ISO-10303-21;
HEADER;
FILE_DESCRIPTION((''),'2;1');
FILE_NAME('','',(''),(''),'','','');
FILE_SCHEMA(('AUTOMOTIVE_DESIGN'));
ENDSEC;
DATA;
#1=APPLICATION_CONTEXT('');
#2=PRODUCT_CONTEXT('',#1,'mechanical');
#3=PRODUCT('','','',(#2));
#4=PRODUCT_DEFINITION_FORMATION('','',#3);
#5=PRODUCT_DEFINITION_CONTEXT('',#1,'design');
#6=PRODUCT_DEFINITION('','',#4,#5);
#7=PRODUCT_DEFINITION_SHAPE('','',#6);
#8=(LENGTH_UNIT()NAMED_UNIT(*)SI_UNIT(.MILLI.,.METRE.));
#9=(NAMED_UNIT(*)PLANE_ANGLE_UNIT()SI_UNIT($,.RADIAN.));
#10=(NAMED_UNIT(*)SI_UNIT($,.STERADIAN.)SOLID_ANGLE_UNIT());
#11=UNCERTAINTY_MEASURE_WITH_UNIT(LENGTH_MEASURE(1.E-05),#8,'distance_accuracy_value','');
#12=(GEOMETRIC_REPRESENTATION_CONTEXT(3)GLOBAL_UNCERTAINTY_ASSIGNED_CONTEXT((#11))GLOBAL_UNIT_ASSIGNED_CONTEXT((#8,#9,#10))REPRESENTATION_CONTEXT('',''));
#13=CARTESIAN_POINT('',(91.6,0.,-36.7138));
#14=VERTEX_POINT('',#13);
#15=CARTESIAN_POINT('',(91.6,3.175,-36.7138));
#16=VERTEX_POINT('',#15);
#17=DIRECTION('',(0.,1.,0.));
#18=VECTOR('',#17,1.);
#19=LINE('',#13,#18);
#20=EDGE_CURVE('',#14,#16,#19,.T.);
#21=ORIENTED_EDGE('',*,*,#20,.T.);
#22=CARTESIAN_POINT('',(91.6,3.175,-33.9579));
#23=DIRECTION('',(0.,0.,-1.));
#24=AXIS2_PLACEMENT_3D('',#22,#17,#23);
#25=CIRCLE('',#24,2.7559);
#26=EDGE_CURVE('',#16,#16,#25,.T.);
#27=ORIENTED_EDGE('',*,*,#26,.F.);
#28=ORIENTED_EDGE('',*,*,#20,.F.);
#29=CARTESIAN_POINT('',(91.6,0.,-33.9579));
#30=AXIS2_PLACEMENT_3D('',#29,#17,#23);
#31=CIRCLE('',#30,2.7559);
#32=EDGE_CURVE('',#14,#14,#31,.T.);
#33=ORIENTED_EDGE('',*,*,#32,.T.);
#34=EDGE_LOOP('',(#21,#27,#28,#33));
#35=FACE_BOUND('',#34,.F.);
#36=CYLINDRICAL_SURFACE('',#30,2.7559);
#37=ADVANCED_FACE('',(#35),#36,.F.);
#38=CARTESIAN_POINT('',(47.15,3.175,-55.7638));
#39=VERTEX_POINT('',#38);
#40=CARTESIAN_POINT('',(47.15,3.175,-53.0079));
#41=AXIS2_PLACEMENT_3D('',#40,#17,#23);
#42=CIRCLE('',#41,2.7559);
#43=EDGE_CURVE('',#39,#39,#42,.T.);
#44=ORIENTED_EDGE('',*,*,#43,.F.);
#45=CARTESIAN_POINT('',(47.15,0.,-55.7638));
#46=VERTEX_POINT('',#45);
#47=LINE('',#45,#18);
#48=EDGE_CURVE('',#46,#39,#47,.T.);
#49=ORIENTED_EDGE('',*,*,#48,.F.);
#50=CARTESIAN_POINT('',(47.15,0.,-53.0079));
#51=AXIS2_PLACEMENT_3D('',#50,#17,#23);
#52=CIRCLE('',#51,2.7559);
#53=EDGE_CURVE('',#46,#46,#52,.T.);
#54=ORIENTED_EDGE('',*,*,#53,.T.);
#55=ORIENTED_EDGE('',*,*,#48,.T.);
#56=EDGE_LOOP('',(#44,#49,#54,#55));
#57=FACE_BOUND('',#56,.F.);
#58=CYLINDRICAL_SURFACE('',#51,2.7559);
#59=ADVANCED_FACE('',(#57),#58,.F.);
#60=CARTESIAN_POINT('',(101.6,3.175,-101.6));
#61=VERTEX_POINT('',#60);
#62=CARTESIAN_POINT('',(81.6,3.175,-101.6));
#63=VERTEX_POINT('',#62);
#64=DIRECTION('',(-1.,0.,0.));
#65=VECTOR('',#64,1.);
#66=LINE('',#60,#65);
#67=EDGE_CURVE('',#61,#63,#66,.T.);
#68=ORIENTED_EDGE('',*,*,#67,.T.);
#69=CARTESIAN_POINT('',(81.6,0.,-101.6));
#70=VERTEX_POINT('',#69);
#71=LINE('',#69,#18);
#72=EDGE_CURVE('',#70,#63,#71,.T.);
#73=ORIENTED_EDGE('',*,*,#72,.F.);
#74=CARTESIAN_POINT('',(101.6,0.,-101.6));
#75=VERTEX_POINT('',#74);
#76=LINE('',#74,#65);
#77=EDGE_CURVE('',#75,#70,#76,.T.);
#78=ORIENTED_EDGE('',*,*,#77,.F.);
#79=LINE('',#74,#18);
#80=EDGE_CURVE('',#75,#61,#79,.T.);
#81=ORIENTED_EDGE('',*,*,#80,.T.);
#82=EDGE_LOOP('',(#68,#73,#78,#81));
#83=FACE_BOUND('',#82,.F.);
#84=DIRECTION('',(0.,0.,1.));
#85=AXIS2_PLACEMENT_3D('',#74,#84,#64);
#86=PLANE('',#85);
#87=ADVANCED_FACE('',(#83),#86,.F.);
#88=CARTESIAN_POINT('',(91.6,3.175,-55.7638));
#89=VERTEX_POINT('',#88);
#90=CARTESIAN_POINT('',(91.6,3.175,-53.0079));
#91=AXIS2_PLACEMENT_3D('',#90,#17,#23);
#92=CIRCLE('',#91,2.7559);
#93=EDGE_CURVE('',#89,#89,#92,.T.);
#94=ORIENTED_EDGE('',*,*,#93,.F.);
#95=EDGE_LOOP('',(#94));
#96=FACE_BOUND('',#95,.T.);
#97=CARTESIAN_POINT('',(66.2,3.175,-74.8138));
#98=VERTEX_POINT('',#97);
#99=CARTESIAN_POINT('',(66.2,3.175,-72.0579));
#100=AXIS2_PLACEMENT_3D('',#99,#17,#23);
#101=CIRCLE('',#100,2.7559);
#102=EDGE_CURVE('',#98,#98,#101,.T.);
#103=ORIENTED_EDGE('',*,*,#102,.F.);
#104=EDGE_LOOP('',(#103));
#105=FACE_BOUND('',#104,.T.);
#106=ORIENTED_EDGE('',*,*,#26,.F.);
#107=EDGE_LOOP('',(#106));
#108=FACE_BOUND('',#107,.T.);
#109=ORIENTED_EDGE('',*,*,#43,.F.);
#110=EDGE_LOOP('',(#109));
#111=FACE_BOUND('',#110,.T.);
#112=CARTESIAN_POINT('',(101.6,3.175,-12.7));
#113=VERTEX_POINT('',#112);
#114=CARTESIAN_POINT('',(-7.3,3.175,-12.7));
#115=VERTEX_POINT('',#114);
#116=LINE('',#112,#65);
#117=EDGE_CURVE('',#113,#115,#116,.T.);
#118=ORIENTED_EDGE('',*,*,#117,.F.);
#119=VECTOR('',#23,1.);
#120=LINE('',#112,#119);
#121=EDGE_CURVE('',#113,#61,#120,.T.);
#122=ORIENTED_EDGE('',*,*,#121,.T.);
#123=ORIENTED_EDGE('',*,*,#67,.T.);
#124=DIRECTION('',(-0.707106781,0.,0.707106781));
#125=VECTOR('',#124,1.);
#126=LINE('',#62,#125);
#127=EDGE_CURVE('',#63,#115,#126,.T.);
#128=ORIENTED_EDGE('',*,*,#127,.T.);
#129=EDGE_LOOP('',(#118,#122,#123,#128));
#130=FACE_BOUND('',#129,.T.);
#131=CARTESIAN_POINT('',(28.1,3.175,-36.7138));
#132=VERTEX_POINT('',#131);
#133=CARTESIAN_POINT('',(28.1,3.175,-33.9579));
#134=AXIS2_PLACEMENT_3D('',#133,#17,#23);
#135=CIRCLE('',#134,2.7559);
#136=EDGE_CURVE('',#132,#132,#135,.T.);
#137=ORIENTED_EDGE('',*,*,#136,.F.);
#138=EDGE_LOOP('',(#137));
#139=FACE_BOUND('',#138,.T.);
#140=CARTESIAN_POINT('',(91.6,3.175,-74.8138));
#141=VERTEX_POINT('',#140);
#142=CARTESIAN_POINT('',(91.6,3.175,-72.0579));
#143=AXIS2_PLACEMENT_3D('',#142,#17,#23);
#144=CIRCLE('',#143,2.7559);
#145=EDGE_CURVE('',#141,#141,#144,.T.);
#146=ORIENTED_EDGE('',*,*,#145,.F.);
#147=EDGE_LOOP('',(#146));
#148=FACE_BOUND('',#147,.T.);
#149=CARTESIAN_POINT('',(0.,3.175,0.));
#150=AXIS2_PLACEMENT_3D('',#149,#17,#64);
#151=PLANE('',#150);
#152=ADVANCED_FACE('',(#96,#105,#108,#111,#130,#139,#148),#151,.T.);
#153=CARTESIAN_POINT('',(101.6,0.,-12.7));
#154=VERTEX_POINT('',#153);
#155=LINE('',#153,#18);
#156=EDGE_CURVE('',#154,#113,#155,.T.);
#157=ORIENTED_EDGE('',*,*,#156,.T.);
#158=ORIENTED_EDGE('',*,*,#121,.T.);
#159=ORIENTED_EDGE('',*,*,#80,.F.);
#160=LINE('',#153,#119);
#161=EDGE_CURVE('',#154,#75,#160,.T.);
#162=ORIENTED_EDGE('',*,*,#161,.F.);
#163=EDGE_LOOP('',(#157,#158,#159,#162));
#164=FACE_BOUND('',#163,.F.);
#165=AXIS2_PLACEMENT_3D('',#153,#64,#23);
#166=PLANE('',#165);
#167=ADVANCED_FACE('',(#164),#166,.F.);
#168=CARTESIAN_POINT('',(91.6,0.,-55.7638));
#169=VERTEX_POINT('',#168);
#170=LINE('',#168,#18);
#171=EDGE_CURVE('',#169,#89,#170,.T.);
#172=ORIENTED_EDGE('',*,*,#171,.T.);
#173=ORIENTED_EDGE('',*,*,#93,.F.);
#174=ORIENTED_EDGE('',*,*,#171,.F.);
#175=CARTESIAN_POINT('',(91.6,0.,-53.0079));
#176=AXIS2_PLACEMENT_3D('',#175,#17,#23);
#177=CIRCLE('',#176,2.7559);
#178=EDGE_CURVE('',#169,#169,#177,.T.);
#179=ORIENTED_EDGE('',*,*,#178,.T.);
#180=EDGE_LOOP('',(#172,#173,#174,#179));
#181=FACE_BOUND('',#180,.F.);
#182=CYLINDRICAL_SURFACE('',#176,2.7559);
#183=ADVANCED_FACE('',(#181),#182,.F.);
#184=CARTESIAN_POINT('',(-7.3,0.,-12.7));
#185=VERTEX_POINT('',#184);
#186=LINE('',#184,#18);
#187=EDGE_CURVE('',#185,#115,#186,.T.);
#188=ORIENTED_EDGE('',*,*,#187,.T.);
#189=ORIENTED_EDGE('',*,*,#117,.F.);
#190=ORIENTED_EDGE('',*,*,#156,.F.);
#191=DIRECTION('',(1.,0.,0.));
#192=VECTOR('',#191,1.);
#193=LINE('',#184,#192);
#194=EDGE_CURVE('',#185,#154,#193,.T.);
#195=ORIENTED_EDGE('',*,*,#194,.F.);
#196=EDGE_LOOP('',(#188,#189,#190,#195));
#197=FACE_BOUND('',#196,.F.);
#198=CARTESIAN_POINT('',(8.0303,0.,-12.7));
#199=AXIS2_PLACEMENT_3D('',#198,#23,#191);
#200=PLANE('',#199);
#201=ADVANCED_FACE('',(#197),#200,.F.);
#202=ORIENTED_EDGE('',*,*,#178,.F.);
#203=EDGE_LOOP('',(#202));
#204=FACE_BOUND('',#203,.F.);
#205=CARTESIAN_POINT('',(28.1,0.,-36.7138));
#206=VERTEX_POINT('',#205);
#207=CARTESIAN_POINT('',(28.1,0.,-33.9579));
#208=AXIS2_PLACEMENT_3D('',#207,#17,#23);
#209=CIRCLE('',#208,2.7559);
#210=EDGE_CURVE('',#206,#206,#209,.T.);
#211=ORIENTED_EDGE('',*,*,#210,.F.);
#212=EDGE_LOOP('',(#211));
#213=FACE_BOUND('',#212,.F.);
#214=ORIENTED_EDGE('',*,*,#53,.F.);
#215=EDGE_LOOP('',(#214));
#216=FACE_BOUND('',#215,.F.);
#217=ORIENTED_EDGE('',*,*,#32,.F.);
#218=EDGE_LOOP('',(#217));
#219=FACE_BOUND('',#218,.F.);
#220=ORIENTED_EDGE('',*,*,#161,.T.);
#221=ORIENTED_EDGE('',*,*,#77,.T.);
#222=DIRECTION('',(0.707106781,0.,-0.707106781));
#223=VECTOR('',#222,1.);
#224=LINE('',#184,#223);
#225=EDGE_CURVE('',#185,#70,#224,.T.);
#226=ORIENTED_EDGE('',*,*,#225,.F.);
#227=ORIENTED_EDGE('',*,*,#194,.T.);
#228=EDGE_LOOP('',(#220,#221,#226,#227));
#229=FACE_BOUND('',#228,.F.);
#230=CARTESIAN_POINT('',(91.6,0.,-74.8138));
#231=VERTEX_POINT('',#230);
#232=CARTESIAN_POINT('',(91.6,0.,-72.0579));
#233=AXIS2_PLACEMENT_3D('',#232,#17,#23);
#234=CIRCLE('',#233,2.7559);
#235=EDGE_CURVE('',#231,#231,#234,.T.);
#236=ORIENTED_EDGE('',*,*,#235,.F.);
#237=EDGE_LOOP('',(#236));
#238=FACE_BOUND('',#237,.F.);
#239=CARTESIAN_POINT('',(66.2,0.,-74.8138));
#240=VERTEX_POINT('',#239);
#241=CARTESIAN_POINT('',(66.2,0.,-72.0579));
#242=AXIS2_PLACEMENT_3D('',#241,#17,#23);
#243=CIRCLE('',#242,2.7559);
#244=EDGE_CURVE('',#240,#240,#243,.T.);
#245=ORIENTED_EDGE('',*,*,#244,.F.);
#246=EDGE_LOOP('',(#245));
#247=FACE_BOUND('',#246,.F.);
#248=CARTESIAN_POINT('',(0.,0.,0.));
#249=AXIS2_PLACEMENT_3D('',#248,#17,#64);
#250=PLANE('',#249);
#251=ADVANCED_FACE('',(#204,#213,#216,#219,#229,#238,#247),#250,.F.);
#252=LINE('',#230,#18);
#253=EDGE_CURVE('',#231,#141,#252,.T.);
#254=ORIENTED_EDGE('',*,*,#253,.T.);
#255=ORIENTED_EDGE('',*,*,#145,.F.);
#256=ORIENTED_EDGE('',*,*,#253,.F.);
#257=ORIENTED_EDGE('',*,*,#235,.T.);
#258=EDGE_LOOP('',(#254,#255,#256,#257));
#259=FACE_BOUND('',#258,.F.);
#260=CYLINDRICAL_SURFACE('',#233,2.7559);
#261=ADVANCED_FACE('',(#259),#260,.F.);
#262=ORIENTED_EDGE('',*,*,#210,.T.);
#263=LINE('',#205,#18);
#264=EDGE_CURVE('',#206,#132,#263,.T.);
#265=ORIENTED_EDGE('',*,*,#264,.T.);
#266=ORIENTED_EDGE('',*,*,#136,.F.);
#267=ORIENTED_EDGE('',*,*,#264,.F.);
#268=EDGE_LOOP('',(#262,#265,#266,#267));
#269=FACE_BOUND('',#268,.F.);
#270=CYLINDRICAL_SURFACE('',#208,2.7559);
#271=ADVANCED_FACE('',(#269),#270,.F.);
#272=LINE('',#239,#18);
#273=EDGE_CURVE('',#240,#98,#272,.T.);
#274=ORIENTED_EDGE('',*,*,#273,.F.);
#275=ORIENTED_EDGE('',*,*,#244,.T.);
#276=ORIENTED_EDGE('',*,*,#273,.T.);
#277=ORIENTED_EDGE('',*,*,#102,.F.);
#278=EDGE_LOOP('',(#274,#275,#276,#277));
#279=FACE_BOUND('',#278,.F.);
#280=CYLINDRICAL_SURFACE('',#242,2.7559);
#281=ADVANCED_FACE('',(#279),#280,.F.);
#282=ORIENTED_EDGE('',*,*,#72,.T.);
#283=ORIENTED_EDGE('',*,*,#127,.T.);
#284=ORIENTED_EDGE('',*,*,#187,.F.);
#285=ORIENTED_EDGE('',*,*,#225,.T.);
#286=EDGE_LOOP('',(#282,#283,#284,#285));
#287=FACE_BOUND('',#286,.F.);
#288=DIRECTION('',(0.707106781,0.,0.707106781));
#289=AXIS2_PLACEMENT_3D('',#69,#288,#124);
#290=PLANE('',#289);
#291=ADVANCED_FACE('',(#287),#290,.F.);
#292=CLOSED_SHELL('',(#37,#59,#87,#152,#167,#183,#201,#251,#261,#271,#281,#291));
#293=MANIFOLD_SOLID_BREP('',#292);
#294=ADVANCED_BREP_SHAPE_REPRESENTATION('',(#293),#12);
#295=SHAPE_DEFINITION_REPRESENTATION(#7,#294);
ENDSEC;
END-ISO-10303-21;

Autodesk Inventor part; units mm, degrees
ref_plane "YZ Plane" through (0, 0, 0) normal (1, 0, 0) x (0, 1, 0)
ref_plane "XZ Plane" through (0, 0, 0) normal (0, 1, 0) x (-1, 0, 0)
ref_plane "XY Plane" through (0, 0, 0) normal (0, 0, 1) x (1, 0, 0)
sketch "Sketch1" plane through (0, 0, 0) normal (0, 1, 0) x (-1, 0, 0)
  line L0 (0, 0) -> (-101.6, 0) construction
  line L1 (-101.6, 0) -> (-101.6, -101.6) construction
  line L2 (-101.6, -101.6) -> (0, -101.6) construction
  line L3 (0, -101.6) -> (0, 0) construction
  line L4 (-101.6, 15.5049) -> (-81.6, 15.5049) construction
  line L5 (-81.6, 15.5049) -> (-81.6, -123.9701) construction
  line L6 (-81.6, -123.9701) -> (-101.6, -123.9701) construction
  line L7 (-101.6, -123.9701) -> (-101.6, 15.5049) construction
  line L8 (-81.6, -101.6) -> (54.3539, 34.3539) construction
  line L9 (54.3539, 34.3539) -> (40.2117, 48.496) construction
  line L10 (40.2117, 48.496) -> (-81.6, -73.3157) construction
  line L11 (-101.6, -101.6) -> (-81.6, -101.6)
  line L12 (-81.6, -101.6) -> (-3.5401, -23.5401)
  line L13 (-8.0303, -12.7) -> (-101.6, -12.7)
  line L14 (-101.6, -12.7) -> (-101.6, -101.6)
  circle A0 centre (-66.2, -72.0579) radius 5.1211
  circle A1 centre (-28.1, -33.9579) radius 5.1211
  circle A2 centre (-91.6, -33.9579) radius 5.1211
  circle A3 centre (-91.6, -72.0579) radius 5.1211
  line L15 (-81.6, -101.6) -> (-101.6, -121.6)
  line L16 (-101.6, -101.6) -> (-101.6, -121.6)
  line L17 (-28.1, -33.9579) -> (-66.2, -72.0579) construction
  line L18 (-8.0303, -12.7) -> (7.3, -12.7)
  line L19 (-3.5401, -23.5401) -> (7.3, -12.7)
  circle A4 centre (-47.15, -53.0079) radius 3.9521
  circle A5 centre (-91.6, -53.0079) radius 2.8637
  dimension "d0" = 101.6
  dimension "d1" = 101.6
  dimension "d2" = 20
  dimension "d3" = 20
  dimension "d4" = 45
  dimension "d11" = 10
  dimension "d13" = 10
  dimension "d15" = 25.4
  dimension "d16" = 38.1
  dimension "d17" = 88.9
extrude "Extrusion1" add sketch "Sketch1" along normal blind 3.175 contours L14 L13 L18 L19 L12 L11 | A0 | A1 | A2 | A3 | A4 | A5
hole "Hole1" at (91.6, 0, -33.9579) at (91.6, 0, -72.0579) at (66.2, 0, -72.0579) at (28.1, 0, -33.9579) at (47.15, 0, -53.0079) at (91.6, 0, -53.0079) direction (0, 1, 0) diameter 5.5118 end through all clearance for "Flat Head Machine Screw" size "M5" standard "Ansi Metric M Profile"
equation "\"d3\" = d2"
properties part number "CH-1-01-FrontKneeJoint"
